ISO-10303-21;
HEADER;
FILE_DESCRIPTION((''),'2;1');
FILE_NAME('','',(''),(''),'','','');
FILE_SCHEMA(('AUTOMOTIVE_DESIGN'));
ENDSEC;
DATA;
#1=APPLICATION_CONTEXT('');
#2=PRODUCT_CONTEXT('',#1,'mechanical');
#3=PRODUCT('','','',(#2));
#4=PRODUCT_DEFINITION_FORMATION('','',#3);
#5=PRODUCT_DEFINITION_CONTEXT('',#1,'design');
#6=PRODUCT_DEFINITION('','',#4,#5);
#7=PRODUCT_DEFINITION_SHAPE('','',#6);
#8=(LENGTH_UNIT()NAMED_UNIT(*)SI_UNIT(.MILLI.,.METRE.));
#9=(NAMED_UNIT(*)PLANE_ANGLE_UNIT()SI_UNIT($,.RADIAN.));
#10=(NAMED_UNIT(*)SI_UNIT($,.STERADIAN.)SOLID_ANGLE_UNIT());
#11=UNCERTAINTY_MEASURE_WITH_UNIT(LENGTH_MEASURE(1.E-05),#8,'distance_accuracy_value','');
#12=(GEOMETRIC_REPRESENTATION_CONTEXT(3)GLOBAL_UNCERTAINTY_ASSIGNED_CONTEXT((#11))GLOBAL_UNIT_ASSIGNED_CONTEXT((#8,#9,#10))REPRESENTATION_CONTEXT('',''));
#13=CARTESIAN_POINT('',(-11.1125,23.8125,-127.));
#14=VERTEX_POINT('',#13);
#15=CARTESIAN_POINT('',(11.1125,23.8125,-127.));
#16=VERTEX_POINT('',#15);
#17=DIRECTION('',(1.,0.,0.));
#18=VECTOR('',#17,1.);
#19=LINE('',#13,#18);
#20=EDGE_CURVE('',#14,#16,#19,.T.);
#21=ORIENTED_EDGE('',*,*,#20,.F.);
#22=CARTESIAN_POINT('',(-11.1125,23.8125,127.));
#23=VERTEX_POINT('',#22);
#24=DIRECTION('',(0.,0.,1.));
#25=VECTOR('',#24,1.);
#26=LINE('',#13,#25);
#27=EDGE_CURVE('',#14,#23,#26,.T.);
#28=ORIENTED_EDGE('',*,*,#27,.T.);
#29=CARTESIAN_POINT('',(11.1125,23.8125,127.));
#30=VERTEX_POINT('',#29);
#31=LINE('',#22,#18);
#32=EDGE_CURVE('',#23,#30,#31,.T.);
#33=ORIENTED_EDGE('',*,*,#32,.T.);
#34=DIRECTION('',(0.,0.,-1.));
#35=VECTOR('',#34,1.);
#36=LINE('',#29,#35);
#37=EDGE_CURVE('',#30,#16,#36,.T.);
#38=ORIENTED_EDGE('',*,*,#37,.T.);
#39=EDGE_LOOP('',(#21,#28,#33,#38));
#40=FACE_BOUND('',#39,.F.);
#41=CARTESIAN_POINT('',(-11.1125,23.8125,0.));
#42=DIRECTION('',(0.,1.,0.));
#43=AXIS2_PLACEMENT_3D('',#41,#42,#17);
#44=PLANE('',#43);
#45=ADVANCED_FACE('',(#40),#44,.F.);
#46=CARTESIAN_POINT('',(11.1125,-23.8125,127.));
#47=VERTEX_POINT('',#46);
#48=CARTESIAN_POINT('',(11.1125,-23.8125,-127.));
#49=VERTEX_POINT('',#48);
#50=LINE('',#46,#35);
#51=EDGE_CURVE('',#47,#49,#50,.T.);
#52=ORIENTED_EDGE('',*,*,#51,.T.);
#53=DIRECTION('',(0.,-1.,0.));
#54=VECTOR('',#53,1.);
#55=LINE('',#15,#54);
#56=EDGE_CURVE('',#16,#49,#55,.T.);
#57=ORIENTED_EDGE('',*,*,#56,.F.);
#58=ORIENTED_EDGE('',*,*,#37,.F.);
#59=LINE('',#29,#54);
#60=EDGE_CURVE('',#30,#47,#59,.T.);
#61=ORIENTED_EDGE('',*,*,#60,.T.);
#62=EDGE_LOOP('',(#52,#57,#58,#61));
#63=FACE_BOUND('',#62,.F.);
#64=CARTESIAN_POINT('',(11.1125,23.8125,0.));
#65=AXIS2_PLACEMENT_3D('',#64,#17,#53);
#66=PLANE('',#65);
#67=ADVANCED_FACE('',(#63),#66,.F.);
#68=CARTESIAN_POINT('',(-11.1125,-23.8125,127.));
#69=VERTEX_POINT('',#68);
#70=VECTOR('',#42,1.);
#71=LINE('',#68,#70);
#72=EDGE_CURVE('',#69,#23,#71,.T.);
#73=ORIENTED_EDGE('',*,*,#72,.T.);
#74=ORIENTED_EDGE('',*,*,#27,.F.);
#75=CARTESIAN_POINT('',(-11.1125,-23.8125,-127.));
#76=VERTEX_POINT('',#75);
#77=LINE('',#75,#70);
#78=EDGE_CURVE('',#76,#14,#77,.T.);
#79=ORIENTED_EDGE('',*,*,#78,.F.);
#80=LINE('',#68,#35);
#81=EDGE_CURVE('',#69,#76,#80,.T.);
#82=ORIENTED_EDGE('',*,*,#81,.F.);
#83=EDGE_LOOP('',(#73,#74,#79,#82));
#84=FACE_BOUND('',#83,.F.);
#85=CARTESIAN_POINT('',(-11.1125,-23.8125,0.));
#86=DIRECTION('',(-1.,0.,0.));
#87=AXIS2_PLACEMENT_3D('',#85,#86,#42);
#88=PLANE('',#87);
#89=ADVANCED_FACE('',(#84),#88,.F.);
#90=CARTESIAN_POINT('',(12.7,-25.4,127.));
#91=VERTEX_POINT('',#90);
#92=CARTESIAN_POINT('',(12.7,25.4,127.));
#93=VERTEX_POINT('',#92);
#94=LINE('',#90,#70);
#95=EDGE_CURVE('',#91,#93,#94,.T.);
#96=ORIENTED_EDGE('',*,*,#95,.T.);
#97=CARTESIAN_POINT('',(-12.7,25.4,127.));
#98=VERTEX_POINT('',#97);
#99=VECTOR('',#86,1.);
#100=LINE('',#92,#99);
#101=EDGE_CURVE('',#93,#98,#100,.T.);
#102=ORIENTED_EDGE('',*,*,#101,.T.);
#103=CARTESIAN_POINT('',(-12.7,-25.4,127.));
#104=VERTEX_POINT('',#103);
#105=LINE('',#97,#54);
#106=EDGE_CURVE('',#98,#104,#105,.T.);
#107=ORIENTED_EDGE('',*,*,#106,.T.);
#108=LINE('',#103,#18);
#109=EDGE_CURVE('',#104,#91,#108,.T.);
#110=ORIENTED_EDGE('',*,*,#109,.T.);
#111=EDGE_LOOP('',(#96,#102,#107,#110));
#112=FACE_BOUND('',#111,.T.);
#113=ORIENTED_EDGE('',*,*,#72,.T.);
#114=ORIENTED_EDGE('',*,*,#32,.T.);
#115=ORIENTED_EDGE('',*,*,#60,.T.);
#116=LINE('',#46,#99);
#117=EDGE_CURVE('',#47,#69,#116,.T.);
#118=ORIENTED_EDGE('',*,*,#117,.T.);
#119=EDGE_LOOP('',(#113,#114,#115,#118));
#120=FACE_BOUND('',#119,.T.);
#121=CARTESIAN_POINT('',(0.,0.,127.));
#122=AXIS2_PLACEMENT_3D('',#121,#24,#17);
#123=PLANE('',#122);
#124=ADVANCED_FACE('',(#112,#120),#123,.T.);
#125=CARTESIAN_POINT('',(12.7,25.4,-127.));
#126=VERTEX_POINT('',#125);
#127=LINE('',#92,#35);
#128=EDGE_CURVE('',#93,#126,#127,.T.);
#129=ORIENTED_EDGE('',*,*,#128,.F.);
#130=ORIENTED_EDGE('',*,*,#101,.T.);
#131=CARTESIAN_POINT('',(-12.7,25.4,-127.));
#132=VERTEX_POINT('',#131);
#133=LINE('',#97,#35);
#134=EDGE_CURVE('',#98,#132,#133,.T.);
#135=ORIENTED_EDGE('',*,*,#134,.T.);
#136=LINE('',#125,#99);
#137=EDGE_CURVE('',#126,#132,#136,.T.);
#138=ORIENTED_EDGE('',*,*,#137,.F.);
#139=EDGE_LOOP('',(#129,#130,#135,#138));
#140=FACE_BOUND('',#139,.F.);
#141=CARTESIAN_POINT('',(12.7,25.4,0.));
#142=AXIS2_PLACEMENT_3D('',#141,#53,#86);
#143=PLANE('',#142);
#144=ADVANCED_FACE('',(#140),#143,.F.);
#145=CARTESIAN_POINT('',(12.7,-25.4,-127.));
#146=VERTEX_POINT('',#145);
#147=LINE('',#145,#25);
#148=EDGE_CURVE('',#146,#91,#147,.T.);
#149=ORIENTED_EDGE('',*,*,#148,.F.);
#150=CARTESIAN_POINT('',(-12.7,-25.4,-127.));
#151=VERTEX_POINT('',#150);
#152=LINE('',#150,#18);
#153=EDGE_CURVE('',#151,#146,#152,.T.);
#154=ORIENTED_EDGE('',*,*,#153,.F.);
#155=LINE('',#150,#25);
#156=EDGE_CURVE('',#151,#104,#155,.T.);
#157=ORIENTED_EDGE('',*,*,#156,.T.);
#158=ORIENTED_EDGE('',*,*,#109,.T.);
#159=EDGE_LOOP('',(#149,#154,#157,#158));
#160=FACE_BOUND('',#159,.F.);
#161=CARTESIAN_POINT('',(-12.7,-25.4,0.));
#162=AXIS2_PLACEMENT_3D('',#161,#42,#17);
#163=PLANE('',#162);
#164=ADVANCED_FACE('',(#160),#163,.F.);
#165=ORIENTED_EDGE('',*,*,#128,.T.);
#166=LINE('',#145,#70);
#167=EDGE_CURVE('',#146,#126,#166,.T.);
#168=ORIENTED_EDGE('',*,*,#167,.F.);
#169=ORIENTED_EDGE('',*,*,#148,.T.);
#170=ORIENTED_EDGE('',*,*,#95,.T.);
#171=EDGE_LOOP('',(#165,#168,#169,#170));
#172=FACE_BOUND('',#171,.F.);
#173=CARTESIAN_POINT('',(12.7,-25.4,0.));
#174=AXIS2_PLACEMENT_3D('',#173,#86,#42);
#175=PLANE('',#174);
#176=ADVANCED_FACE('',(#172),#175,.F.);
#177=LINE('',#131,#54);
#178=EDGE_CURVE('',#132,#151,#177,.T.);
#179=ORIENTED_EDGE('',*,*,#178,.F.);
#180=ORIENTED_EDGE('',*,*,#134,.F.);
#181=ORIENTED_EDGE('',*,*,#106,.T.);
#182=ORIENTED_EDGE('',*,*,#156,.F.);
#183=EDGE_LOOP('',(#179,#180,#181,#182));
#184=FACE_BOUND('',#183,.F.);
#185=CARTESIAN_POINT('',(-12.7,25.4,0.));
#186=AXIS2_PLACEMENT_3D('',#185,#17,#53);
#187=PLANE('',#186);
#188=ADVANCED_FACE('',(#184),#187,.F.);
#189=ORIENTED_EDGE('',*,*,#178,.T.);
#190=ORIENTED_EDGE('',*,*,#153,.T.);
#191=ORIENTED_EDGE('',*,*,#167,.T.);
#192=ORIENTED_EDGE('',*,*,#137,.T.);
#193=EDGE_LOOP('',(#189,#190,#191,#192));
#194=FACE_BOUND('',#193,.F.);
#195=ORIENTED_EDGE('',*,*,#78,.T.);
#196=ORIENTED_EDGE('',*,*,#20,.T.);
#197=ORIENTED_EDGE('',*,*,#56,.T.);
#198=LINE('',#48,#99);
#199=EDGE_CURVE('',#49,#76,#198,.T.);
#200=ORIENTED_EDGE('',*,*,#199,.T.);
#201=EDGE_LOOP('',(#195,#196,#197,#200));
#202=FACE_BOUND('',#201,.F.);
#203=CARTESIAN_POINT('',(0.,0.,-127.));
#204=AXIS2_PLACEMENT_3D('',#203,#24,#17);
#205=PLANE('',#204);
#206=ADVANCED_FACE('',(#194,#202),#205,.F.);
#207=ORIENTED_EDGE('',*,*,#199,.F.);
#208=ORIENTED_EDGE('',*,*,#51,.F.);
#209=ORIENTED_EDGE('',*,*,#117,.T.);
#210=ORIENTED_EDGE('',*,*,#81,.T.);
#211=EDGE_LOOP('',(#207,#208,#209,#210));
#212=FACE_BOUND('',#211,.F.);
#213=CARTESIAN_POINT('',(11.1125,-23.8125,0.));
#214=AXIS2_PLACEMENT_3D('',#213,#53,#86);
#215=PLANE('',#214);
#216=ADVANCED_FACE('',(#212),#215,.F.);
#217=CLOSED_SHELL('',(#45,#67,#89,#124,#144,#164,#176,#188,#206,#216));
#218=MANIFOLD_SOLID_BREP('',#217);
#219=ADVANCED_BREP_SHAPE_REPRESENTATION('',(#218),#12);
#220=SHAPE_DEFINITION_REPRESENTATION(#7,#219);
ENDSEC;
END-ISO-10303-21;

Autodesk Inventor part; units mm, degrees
ref_plane "YZ Plane" through (0, 0, 0) normal (1, 0, 0) x (0, 1, 0)
ref_plane "XZ Plane" through (0, 0, 0) normal (0, 1, 0) x (-1, 0, 0)
ref_plane "XY Plane" through (0, 0, 0) normal (0, 0, 1) x (1, 0, 0)
sketch "Sketch1" plane through (0, 0, 0) normal (0, 0, 1) x (1, 0, 0)
  line L0 (-12.7, -25.4) -> (12.7, -25.4)
  line L1 (12.7, -25.4) -> (12.7, 25.4)
  line L2 (12.7, 25.4) -> (-12.7, 25.4)
  line L3 (-12.7, 25.4) -> (-12.7, -25.4)
  line L4 (-12.7, -25.4) -> (12.7, 25.4) construction
  line L5 (12.7, -25.4) -> (-12.7, 25.4) construction
  line L6 (-11.1125, 23.8125) -> (11.1125, 23.8125)
  line L7 (11.1125, 23.8125) -> (11.1125, -23.8125)
  line L8 (11.1125, -23.8125) -> (-11.1125, -23.8125)
  line L9 (-11.1125, -23.8125) -> (-11.1125, 23.8125)
  point P0 (0, 0)
  dimension "width" = 25.4
  dimension "height" = 50.8
  dimension "thickness" = 1.5875
extrude "Extrusion1" add sketch "Sketch1" along normal mid plane 254
properties part number "CL4-012" material "Aluminum 6061"
